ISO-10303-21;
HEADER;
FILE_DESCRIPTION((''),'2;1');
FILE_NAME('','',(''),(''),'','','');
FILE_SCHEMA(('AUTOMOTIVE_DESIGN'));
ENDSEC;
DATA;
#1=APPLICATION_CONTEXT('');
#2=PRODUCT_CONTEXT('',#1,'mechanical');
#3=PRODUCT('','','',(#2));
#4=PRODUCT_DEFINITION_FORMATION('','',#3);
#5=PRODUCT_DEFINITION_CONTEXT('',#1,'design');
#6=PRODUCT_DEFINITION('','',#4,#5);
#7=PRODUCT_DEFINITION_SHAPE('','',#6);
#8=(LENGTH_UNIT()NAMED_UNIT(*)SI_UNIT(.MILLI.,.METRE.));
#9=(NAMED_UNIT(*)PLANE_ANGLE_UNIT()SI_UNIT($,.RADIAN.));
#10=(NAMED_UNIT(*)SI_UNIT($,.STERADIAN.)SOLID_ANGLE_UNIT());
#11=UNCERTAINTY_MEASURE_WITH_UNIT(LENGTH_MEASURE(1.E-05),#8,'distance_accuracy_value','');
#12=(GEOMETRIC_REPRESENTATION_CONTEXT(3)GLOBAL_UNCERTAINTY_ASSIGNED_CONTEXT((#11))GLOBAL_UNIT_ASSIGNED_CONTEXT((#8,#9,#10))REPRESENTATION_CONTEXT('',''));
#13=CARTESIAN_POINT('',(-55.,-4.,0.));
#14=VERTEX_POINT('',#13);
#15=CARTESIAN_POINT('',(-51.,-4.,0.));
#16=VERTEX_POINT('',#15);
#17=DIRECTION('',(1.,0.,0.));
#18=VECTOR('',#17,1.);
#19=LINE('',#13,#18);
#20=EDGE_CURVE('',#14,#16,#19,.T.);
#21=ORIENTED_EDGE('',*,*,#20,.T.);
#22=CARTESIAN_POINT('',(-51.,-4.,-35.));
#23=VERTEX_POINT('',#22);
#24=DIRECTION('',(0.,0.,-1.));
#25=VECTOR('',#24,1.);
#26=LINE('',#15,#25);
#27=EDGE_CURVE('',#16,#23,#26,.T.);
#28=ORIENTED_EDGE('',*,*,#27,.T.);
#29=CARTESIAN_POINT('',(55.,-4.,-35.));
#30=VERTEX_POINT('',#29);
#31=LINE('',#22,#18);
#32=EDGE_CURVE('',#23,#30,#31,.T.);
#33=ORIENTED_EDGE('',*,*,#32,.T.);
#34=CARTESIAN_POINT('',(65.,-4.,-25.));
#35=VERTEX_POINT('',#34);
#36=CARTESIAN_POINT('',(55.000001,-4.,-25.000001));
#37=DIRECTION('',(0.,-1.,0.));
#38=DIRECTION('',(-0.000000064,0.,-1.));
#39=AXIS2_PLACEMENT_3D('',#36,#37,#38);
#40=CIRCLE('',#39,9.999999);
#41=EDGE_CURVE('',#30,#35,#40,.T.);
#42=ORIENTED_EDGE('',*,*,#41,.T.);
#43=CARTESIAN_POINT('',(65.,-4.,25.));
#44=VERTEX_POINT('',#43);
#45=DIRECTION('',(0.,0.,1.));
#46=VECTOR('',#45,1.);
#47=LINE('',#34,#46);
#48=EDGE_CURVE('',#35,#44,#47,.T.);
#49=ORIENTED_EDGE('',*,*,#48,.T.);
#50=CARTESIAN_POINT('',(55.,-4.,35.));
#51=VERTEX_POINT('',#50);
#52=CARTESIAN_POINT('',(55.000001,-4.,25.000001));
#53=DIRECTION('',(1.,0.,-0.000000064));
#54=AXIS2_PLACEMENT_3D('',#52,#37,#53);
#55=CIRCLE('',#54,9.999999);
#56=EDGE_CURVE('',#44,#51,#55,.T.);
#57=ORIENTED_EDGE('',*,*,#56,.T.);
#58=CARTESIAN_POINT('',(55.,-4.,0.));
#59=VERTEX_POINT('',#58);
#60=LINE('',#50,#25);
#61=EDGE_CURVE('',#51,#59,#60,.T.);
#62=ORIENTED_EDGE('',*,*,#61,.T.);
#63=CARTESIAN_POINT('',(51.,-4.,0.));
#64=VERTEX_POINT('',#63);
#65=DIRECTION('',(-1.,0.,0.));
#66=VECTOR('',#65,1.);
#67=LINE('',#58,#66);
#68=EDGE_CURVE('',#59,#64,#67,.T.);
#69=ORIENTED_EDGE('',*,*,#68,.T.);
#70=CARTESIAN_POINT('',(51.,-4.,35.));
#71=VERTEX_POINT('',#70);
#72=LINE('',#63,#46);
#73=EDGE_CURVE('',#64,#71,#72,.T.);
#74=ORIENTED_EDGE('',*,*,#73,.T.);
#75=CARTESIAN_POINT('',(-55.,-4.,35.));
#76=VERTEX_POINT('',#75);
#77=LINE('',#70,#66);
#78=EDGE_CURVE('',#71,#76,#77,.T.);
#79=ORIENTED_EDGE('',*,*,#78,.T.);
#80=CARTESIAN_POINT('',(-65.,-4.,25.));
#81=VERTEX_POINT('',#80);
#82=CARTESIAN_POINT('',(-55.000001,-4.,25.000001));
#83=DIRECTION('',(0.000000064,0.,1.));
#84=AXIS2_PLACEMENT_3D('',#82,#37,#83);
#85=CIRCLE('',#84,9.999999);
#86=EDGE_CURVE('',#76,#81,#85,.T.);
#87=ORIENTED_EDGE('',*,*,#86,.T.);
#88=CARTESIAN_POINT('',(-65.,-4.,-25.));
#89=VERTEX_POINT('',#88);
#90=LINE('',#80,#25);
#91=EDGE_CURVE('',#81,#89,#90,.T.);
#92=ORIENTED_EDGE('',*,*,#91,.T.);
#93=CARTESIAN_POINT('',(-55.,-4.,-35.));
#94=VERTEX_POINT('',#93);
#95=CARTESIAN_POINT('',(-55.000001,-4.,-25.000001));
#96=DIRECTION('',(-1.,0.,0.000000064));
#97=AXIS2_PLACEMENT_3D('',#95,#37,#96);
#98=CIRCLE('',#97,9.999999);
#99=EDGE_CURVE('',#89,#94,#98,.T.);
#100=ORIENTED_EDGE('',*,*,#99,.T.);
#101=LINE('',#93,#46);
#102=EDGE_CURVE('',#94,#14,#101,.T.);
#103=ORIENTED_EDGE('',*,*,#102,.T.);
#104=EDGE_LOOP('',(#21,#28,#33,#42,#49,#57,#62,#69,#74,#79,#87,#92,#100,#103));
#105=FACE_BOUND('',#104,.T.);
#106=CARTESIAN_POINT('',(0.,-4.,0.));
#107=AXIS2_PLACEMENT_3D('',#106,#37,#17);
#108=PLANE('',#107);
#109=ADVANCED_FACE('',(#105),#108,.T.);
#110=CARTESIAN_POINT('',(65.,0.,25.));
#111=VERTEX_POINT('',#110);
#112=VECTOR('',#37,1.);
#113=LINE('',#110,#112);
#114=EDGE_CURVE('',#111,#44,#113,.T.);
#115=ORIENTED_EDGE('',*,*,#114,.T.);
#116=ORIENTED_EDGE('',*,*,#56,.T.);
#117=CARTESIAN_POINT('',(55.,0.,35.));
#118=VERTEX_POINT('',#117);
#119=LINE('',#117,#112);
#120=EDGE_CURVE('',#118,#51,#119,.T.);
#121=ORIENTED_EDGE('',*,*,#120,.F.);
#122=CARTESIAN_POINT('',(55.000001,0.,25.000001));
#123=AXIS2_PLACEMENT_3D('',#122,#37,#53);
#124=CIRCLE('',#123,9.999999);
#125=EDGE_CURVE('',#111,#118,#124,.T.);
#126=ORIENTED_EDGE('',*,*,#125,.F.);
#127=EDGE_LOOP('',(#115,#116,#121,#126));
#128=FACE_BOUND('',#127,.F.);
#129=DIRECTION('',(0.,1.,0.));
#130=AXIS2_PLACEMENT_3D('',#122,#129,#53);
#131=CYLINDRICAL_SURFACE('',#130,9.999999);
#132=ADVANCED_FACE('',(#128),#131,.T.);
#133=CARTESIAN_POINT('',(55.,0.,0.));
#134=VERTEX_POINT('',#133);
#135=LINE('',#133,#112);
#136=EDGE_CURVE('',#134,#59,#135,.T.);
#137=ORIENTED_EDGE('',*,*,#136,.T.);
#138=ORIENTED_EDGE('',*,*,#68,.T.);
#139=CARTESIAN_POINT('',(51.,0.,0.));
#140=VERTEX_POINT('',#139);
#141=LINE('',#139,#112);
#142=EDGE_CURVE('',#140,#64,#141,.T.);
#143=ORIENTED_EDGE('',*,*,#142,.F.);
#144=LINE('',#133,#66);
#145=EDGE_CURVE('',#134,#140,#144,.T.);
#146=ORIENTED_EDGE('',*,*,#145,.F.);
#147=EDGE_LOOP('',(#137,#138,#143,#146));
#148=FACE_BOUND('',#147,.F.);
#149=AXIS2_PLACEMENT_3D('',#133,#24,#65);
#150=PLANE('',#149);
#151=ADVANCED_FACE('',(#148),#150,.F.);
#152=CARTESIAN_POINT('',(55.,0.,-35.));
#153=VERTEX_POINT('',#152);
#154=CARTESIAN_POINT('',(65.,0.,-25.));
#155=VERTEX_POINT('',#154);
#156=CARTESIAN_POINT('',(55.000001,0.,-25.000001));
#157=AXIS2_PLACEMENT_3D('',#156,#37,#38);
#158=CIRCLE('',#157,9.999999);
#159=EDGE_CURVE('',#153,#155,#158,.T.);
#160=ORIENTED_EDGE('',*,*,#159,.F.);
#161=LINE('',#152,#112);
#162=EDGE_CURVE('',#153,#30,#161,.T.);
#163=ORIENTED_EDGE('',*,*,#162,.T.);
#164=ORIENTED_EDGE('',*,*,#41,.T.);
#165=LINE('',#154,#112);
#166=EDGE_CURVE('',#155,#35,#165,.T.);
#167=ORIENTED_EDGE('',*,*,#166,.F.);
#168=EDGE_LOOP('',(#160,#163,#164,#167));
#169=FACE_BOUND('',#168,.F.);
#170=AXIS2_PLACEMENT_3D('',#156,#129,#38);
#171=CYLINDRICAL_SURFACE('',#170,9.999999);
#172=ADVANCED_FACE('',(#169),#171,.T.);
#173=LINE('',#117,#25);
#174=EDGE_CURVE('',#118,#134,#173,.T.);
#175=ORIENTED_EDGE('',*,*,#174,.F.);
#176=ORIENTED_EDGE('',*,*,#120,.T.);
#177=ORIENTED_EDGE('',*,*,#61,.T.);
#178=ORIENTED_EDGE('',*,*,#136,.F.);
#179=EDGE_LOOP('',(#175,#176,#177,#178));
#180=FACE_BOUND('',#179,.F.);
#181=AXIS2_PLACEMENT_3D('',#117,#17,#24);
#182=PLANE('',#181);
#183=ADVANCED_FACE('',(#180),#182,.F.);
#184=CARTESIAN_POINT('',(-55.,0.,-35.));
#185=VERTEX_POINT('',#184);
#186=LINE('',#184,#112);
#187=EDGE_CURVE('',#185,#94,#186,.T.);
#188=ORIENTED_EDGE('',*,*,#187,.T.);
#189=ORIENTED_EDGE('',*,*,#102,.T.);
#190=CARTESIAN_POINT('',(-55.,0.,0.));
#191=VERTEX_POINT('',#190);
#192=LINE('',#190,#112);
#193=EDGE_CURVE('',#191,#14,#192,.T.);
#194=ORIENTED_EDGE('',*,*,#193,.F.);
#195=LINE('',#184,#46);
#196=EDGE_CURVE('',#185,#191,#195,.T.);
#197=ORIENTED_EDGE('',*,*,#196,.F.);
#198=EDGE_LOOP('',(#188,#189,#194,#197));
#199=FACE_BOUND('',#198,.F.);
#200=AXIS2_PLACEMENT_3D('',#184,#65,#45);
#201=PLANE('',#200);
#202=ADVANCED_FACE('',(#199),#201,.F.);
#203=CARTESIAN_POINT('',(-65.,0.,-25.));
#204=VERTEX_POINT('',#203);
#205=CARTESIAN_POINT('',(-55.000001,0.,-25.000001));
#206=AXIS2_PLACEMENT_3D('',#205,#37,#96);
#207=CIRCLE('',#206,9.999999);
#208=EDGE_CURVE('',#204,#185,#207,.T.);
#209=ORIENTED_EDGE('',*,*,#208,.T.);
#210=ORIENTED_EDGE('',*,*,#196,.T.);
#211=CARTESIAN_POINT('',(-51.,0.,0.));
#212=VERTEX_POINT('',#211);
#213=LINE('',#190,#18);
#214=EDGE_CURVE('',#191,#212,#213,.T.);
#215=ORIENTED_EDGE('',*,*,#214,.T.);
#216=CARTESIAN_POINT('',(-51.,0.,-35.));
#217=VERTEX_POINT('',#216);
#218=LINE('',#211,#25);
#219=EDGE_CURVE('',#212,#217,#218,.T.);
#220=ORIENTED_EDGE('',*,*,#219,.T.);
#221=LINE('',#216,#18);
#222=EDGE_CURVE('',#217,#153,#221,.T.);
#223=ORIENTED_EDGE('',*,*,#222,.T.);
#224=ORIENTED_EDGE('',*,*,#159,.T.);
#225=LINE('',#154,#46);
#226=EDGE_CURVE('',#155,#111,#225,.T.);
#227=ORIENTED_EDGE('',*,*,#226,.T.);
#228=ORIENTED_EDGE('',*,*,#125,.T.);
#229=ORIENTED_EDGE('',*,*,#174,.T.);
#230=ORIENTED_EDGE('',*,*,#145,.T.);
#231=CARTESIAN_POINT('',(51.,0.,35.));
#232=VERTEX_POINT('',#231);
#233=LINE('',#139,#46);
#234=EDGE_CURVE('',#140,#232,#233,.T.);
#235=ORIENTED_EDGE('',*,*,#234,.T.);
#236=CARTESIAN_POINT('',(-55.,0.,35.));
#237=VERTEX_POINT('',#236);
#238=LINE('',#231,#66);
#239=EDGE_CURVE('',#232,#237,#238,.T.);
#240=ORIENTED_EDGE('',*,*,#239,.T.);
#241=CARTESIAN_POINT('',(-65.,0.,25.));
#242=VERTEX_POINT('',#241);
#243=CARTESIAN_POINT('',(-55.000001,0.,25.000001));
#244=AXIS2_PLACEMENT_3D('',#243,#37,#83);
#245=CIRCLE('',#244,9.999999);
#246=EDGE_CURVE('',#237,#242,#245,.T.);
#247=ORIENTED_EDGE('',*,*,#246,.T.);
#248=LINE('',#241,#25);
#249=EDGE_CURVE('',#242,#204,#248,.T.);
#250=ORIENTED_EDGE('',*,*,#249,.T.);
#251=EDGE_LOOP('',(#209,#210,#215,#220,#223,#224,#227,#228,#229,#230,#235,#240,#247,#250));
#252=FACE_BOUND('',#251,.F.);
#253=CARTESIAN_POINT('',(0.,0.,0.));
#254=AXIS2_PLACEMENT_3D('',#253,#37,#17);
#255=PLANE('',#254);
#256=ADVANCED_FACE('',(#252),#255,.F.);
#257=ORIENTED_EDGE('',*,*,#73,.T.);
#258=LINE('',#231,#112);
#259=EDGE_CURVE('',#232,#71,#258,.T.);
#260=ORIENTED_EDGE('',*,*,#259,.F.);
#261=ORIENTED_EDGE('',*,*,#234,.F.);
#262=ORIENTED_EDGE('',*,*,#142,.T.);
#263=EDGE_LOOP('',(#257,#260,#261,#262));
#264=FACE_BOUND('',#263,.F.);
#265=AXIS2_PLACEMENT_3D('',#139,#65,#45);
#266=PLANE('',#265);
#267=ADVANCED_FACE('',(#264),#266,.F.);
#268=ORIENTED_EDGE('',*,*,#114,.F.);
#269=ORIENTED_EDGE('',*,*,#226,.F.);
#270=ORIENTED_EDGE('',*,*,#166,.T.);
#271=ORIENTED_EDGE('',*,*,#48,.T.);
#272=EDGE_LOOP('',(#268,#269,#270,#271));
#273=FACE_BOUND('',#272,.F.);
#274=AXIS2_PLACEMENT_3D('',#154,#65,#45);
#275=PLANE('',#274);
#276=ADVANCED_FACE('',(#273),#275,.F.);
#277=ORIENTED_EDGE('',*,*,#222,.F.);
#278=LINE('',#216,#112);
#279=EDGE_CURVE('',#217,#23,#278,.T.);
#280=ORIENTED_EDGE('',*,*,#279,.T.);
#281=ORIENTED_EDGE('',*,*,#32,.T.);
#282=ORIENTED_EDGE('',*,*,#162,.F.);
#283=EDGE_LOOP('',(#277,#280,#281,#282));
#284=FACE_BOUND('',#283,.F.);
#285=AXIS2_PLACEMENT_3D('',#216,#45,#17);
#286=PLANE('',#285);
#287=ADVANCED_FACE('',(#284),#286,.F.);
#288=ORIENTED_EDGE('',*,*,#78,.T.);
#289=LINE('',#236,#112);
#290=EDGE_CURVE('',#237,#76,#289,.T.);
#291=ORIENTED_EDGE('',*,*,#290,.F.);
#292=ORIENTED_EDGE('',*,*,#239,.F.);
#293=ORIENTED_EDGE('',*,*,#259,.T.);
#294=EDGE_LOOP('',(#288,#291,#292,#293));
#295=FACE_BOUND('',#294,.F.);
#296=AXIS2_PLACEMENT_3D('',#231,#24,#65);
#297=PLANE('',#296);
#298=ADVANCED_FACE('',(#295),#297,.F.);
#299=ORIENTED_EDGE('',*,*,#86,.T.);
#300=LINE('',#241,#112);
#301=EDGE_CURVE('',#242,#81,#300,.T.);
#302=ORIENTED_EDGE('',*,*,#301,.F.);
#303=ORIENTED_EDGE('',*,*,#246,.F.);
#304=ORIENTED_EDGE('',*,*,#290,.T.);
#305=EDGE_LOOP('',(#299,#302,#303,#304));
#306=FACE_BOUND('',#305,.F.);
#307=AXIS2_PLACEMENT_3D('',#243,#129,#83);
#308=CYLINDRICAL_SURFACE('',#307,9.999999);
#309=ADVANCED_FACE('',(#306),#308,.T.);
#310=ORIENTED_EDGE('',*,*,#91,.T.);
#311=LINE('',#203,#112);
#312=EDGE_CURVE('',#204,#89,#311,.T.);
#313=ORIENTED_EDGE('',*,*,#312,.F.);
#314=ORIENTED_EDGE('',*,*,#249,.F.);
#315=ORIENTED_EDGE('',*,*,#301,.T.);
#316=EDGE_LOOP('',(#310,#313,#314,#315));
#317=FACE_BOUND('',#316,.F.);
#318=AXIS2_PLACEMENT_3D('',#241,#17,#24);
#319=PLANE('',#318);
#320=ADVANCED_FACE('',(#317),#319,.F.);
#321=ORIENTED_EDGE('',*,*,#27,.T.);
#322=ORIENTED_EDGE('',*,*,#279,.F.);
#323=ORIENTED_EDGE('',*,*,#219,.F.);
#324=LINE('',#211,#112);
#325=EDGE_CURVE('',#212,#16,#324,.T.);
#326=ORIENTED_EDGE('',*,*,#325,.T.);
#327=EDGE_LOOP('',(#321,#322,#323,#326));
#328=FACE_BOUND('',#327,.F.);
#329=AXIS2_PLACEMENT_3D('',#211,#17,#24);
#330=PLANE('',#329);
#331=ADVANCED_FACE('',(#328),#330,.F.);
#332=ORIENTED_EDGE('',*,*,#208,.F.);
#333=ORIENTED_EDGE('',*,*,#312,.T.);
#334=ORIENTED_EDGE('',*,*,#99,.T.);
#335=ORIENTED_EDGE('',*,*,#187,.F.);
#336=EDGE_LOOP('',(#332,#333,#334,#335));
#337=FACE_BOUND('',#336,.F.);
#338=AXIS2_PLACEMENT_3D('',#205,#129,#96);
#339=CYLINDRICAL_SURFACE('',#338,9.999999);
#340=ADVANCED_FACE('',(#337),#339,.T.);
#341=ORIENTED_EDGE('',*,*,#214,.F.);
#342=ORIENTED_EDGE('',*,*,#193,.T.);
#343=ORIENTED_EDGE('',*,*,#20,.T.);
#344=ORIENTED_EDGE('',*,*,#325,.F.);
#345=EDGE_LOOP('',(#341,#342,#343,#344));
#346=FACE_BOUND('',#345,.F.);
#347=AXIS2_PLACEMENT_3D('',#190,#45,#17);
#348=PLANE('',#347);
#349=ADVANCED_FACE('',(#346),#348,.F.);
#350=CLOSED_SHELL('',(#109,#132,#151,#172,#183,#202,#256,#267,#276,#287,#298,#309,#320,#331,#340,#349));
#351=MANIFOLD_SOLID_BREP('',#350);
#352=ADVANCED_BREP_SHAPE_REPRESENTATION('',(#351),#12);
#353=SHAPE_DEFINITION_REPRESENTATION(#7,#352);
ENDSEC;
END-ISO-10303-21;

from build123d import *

# Parameters (mm, degrees)
F1_DEPTH = 4


with BuildPart() as f1:
    # F0 (on Front) → F1 (new body)
    with BuildSketch(Plane.XZ):
        with BuildLine():
            Line((51, 35), (-55, 35))
            ThreePointArc((-55, 35), (-62.071068, 32.071068), (-65, 25))
            Line((-65, 25), (-65, -25))
            ThreePointArc((-65, -25), (-62.071068, -32.071068), (-55, -35))
            Line((-55, -35), (-55, 0))
            Line((-55, 0), (-51, 0))
            Line((-51, 0), (-51, -35))
            Line((-51, -35), (55, -35))
            ThreePointArc((55, -35), (62.071068, -32.071068), (65, -25))
            Line((65, -25), (65, 25))
            ThreePointArc((65, 25), (62.071068, 32.071068), (55, 35))
            Line((55, 35), (55, 0))
            Line((55, 0), (51, 0))
            Line((51, 0), (51, 35))
        make_face()
    extrude(amount=F1_DEPTH)


solid = f1.part
